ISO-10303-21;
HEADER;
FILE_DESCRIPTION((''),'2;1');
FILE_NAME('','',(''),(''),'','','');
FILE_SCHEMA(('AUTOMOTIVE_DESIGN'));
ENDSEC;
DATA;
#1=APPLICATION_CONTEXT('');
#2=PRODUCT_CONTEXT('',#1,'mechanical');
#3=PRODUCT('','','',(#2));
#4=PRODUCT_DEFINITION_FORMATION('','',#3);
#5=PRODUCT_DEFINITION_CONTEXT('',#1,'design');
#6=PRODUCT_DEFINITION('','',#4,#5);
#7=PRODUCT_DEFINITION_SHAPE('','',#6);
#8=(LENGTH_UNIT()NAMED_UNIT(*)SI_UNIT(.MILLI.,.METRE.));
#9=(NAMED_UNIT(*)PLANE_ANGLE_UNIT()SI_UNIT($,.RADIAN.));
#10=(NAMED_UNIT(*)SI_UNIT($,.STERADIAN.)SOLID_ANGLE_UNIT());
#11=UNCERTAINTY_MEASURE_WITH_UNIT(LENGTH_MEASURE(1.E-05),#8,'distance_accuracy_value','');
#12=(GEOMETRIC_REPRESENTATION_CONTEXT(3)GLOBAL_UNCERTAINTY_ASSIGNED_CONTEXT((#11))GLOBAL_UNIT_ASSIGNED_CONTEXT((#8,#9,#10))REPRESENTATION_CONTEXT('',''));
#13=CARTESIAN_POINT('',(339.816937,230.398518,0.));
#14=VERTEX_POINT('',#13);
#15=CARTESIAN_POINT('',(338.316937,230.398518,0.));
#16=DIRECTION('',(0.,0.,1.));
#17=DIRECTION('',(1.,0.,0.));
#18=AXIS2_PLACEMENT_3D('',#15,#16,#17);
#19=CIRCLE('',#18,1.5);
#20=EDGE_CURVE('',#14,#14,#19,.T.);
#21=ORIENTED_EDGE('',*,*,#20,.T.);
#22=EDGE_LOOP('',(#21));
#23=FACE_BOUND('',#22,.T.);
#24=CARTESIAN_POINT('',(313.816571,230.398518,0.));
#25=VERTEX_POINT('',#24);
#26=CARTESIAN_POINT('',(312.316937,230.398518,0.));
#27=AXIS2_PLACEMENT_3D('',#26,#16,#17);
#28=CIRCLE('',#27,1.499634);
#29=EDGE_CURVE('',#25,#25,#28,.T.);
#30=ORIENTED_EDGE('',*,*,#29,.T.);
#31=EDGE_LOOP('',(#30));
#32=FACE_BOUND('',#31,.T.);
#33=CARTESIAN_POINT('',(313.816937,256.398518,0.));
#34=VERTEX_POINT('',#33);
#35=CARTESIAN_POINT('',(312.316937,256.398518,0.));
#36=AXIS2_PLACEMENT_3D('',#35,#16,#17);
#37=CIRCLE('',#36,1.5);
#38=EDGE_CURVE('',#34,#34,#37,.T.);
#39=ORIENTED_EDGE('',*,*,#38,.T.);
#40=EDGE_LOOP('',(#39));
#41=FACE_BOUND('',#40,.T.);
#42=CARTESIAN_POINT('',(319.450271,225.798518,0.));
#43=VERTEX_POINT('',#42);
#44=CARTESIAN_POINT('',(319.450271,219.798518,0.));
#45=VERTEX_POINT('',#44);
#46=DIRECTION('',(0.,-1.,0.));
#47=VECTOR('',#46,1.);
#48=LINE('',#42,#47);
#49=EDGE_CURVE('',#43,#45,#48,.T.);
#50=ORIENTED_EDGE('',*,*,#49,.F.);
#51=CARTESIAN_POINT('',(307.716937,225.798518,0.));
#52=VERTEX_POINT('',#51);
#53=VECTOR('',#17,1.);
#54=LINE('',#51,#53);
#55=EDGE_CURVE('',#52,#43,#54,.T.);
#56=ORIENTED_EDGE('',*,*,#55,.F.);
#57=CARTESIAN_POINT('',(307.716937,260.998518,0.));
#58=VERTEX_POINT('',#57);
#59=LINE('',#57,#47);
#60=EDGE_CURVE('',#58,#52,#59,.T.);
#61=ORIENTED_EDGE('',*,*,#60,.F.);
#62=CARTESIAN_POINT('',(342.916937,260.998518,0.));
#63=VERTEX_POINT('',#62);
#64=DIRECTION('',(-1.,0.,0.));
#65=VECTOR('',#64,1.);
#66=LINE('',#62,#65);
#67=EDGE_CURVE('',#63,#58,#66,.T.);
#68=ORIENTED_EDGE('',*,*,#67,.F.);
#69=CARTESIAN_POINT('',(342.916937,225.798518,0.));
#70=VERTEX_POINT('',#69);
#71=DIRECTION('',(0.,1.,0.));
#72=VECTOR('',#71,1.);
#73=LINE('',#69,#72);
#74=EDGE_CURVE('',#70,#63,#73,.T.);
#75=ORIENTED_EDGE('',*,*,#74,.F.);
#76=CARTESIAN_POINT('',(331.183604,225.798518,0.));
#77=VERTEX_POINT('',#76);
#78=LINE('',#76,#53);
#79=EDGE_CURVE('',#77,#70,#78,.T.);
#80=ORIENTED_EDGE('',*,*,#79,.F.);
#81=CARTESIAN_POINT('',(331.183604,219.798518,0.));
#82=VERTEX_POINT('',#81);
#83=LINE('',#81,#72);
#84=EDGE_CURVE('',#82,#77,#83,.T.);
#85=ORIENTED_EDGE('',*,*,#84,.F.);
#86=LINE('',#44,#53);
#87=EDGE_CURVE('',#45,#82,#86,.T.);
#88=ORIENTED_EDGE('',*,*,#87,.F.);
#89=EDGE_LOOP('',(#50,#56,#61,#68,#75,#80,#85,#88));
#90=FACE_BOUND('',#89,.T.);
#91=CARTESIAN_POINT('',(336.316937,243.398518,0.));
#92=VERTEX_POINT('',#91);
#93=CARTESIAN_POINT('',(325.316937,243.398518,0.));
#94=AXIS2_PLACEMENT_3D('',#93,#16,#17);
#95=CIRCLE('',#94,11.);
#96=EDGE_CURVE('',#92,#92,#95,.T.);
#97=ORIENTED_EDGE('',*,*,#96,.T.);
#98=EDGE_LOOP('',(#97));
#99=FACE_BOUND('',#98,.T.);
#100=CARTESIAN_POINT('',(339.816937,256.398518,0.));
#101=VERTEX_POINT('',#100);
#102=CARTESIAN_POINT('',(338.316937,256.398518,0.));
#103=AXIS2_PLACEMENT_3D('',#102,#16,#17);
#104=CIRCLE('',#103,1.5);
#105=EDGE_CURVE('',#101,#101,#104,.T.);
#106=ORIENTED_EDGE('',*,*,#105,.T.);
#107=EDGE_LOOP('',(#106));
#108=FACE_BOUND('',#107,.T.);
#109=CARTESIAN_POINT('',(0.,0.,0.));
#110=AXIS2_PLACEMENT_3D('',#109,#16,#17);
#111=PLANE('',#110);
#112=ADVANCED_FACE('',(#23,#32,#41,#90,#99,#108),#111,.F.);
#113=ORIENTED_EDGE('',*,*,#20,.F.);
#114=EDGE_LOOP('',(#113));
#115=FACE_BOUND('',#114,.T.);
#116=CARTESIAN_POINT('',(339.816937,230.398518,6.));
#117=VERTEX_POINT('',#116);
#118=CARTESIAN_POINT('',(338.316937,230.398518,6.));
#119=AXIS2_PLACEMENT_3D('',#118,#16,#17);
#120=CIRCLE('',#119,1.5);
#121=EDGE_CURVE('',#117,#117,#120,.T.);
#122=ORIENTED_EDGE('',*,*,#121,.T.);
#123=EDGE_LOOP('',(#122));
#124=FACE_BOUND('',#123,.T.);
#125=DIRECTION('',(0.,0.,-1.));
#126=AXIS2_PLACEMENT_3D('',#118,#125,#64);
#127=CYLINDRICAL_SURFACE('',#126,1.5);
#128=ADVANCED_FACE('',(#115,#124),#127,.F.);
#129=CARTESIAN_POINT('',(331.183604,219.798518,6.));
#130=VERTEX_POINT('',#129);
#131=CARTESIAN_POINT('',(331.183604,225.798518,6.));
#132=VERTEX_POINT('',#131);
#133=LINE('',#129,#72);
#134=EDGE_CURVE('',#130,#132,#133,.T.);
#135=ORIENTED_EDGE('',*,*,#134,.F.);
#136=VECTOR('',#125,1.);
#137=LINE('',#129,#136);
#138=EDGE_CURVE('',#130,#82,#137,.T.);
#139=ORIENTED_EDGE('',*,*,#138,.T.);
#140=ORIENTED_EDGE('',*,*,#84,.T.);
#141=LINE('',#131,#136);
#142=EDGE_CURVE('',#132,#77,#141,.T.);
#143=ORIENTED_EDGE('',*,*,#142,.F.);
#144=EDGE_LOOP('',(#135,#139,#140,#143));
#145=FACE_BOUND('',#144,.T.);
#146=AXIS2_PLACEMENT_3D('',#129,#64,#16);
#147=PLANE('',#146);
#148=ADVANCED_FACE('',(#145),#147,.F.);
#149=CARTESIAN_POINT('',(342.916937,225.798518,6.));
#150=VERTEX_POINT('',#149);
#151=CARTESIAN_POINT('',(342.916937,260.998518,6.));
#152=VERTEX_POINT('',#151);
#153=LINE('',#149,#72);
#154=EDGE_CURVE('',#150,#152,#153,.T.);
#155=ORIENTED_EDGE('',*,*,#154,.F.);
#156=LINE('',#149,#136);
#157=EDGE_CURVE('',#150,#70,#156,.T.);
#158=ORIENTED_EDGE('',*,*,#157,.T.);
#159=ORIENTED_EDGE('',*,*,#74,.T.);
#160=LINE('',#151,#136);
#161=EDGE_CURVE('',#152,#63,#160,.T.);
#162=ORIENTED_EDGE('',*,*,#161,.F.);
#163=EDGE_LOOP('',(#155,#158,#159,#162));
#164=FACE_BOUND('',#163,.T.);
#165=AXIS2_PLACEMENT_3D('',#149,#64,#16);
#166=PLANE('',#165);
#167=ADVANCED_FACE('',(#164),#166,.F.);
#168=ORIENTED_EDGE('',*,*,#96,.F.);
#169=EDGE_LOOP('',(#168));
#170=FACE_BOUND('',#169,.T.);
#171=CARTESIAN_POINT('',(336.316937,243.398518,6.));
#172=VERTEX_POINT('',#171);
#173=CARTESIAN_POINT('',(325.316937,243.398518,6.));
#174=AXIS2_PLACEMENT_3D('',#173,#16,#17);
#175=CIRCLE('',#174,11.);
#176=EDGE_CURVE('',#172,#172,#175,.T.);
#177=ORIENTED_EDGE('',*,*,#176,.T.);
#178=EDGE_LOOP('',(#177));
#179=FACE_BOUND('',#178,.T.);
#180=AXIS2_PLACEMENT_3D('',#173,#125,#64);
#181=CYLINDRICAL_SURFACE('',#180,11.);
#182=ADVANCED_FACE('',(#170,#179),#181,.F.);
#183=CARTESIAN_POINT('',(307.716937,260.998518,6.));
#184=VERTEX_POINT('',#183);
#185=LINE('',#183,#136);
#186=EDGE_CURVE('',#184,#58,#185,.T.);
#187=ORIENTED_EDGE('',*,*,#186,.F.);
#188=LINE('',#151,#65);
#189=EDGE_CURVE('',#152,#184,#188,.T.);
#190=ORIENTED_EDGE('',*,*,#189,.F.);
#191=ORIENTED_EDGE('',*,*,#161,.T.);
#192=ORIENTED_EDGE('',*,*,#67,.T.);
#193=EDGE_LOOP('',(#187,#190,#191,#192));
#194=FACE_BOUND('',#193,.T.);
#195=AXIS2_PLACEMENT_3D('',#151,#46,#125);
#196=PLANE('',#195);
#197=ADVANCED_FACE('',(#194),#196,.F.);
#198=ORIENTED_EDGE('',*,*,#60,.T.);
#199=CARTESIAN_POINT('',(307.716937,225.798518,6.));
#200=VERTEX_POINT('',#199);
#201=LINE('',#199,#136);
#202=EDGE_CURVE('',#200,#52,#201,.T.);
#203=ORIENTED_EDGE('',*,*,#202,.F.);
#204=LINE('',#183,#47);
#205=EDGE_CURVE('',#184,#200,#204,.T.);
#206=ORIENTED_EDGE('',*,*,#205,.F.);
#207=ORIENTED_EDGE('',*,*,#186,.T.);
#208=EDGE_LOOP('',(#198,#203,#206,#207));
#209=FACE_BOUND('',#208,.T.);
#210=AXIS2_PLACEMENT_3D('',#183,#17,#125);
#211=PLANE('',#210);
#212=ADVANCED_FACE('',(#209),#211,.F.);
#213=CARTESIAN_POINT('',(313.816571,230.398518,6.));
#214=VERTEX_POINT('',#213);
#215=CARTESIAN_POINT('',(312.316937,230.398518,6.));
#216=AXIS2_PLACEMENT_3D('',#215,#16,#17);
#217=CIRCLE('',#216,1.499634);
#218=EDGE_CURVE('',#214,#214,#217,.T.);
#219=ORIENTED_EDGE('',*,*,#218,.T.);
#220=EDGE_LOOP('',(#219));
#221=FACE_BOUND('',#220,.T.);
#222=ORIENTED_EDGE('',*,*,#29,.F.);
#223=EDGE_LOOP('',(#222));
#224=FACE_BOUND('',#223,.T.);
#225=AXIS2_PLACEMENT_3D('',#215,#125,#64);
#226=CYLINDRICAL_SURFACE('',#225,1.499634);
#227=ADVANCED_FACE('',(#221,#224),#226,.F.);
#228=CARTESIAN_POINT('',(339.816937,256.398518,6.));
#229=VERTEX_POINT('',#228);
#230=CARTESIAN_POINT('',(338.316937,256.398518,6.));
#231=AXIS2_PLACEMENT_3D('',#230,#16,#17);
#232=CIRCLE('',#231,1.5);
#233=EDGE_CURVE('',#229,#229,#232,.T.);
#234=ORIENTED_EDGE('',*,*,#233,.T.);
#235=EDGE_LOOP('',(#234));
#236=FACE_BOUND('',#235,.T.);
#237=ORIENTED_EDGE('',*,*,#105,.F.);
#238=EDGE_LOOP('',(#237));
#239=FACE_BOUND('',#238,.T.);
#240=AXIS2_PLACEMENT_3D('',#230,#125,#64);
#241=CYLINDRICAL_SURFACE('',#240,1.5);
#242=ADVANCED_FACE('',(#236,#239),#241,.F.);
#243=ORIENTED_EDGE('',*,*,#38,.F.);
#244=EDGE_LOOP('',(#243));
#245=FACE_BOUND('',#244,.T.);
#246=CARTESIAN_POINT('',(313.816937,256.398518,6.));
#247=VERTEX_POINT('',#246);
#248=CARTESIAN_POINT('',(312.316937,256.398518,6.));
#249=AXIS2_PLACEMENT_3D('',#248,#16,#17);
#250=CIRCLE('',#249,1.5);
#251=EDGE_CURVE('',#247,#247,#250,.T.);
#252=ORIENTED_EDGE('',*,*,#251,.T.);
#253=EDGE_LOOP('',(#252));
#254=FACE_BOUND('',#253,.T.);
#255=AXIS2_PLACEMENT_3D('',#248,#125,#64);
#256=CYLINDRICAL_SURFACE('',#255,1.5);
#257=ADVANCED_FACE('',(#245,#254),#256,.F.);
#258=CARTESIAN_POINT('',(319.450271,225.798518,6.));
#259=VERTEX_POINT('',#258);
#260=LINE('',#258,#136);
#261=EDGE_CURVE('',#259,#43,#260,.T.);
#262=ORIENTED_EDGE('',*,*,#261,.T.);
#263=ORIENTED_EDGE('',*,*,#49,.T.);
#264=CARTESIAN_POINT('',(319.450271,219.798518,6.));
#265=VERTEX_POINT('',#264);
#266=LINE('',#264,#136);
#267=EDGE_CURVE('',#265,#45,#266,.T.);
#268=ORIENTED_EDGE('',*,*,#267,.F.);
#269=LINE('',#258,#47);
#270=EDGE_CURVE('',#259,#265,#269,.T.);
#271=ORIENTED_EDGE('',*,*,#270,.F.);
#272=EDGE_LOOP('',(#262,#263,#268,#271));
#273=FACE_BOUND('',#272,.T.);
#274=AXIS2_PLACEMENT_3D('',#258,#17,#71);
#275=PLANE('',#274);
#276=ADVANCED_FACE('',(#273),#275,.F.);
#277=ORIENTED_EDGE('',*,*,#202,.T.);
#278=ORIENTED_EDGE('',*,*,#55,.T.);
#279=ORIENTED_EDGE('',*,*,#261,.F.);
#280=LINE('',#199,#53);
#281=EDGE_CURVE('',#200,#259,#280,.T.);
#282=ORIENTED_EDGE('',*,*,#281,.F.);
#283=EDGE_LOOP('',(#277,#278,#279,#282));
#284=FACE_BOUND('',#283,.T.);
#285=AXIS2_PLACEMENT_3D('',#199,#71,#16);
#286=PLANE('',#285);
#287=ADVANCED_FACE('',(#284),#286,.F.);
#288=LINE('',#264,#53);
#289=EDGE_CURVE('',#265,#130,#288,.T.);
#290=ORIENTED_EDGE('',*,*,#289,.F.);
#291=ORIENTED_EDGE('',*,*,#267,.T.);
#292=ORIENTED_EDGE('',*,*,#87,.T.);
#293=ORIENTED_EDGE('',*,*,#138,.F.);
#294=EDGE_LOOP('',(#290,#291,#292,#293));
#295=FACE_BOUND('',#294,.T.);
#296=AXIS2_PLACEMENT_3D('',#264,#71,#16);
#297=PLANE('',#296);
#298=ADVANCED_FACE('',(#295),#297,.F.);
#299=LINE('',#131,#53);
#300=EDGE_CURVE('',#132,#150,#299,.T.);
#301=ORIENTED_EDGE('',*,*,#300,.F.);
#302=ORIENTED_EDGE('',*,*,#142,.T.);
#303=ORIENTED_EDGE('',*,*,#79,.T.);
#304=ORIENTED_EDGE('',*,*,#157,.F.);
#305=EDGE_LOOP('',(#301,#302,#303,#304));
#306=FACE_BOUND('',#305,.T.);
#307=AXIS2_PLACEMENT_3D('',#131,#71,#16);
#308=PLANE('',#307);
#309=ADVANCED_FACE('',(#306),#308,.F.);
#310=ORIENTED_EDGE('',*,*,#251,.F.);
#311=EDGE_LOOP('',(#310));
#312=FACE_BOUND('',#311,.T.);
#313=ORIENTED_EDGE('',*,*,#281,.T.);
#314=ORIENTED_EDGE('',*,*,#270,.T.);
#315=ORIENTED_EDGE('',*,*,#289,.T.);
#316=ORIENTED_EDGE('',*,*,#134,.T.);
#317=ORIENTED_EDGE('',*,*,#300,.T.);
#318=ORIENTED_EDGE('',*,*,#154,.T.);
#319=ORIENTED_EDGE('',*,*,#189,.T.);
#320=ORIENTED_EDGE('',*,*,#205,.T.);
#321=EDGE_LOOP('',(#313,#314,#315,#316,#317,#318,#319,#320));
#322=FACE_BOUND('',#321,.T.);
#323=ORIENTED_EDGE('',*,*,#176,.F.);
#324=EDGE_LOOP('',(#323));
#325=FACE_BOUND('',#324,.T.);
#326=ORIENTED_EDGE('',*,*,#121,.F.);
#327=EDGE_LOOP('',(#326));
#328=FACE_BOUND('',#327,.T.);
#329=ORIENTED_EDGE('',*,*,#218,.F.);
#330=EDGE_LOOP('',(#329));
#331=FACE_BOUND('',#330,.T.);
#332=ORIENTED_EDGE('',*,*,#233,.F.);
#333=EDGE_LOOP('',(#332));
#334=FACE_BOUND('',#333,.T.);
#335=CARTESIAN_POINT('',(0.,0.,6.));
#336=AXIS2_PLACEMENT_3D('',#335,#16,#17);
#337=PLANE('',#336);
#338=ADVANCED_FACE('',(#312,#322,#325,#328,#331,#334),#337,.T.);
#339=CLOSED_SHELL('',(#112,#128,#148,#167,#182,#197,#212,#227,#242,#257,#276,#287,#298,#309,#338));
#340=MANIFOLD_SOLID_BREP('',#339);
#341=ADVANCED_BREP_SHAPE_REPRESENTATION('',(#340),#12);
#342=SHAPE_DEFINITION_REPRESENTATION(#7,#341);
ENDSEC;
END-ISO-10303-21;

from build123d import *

# Parameters (mm, degrees)
SKETCH1_R           = 1.5
SKETCH1_R_2         = 1.499633597
SKETCH1_R_3         = 11
BOSS_EXTRUDE1_DEPTH = 6


with BuildPart() as part:
    # Sketch1 → Boss-Extrude1 (new body)
    with BuildSketch(Plane.XY):
        Polygon((342.916937196, 225.798518154), (342.916937196, 260.998518154), (307.716937196, 260.998518154), (307.716937196, 225.798518154), (319.450270529, 225.798518154), (319.450270529, 219.798518154), (331.183603862, 219.798518154), (331.183603862, 225.798518154), align=None)
        with Locations((338.316937196, 230.398518154)):
            Circle(SKETCH1_R, mode=Mode.SUBTRACT)
        with Locations((338.316937196, 256.398518154)):
            Circle(SKETCH1_R, mode=Mode.SUBTRACT)
        with Locations((312.316937196, 256.398518154)):
            Circle(SKETCH1_R, mode=Mode.SUBTRACT)
        with Locations((312.316937196, 230.398518154)):
            Circle(SKETCH1_R_2, mode=Mode.SUBTRACT)
        with Locations((325.316937196, 243.398518154)):
            Circle(SKETCH1_R_3, mode=Mode.SUBTRACT)
    extrude(amount=BOSS_EXTRUDE1_DEPTH)


solid = part.part
